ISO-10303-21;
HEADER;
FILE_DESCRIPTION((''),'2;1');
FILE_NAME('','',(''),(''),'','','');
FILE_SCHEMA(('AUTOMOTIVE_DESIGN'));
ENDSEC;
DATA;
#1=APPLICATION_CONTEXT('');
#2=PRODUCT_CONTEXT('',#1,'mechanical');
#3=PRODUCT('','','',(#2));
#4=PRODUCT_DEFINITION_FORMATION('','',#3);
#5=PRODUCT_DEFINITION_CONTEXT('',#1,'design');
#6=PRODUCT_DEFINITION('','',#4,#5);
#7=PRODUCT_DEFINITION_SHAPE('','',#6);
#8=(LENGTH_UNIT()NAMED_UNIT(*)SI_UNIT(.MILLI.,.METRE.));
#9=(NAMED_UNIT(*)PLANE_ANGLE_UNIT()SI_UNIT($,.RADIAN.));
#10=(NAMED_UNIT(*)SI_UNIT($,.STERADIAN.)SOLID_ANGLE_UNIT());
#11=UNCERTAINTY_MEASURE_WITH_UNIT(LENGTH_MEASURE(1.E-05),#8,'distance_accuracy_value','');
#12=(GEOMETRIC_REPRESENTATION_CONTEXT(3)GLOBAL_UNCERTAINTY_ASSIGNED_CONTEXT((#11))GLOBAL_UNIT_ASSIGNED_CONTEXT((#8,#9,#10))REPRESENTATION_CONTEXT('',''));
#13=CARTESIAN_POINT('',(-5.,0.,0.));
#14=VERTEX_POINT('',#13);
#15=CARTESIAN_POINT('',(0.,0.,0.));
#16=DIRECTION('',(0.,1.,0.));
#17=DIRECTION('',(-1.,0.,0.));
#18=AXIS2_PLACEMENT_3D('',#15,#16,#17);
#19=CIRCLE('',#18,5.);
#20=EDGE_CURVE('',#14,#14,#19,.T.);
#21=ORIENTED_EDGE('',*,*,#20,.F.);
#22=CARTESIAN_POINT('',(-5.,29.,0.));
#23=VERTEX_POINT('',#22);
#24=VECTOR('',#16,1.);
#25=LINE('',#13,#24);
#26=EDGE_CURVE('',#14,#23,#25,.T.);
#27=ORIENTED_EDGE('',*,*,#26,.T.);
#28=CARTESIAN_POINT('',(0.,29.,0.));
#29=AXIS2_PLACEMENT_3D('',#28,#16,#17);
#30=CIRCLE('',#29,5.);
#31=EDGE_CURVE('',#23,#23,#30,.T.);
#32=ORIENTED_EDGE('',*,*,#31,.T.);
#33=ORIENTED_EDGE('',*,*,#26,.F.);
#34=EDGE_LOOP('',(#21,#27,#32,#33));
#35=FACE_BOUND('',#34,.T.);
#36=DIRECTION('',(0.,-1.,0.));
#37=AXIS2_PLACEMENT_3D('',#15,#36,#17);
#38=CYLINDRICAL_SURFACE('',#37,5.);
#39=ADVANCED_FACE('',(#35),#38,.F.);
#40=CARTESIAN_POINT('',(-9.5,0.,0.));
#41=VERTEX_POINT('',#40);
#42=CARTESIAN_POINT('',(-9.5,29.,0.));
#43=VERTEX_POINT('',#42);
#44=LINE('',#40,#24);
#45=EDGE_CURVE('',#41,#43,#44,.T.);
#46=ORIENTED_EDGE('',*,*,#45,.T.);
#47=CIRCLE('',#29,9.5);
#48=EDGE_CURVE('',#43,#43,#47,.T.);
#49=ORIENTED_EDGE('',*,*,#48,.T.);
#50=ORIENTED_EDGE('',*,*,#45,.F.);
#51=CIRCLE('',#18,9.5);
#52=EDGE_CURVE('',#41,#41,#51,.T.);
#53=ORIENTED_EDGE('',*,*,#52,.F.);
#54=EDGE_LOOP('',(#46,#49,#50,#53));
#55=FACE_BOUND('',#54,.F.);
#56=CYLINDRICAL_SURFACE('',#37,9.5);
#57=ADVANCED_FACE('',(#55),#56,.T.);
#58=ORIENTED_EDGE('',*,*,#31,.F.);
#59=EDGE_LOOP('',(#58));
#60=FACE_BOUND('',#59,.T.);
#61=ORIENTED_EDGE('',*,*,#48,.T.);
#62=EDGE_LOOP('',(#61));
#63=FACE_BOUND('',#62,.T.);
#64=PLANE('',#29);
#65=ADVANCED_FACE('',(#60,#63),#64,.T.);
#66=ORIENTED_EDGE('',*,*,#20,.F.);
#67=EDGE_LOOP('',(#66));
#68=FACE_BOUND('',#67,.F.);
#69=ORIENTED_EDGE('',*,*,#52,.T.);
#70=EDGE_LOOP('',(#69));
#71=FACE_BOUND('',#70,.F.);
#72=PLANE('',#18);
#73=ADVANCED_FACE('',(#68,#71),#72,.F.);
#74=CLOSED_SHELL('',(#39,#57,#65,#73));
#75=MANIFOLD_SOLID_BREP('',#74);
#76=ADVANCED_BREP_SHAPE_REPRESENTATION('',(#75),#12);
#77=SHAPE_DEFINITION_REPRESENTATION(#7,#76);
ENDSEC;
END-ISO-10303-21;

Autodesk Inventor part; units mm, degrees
ref_plane "YZ Plane" through (0, 0, 0) normal (1, 0, 0) x (0, 1, 0)
ref_plane "XZ Plane" through (0, 0, 0) normal (0, 1, 0) x (-1, 0, 0)
ref_plane "XY Plane" through (0, 0, 0) normal (0, 0, 1) x (1, 0, 0)
sketch "Sketch1" plane through (0, 0, 0) normal (0, 1, 0) x (-1, 0, 0)
  circle A0 centre (0, 0) radius 5
  circle A1 centre (0, 0) radius 9.5
  dimension "d0" = 10
  dimension "d1" = 19
extrude "Extrusion1" add sketch "Sketch1" along normal blind 29
properties part number "e_linear bearing 10mm"
